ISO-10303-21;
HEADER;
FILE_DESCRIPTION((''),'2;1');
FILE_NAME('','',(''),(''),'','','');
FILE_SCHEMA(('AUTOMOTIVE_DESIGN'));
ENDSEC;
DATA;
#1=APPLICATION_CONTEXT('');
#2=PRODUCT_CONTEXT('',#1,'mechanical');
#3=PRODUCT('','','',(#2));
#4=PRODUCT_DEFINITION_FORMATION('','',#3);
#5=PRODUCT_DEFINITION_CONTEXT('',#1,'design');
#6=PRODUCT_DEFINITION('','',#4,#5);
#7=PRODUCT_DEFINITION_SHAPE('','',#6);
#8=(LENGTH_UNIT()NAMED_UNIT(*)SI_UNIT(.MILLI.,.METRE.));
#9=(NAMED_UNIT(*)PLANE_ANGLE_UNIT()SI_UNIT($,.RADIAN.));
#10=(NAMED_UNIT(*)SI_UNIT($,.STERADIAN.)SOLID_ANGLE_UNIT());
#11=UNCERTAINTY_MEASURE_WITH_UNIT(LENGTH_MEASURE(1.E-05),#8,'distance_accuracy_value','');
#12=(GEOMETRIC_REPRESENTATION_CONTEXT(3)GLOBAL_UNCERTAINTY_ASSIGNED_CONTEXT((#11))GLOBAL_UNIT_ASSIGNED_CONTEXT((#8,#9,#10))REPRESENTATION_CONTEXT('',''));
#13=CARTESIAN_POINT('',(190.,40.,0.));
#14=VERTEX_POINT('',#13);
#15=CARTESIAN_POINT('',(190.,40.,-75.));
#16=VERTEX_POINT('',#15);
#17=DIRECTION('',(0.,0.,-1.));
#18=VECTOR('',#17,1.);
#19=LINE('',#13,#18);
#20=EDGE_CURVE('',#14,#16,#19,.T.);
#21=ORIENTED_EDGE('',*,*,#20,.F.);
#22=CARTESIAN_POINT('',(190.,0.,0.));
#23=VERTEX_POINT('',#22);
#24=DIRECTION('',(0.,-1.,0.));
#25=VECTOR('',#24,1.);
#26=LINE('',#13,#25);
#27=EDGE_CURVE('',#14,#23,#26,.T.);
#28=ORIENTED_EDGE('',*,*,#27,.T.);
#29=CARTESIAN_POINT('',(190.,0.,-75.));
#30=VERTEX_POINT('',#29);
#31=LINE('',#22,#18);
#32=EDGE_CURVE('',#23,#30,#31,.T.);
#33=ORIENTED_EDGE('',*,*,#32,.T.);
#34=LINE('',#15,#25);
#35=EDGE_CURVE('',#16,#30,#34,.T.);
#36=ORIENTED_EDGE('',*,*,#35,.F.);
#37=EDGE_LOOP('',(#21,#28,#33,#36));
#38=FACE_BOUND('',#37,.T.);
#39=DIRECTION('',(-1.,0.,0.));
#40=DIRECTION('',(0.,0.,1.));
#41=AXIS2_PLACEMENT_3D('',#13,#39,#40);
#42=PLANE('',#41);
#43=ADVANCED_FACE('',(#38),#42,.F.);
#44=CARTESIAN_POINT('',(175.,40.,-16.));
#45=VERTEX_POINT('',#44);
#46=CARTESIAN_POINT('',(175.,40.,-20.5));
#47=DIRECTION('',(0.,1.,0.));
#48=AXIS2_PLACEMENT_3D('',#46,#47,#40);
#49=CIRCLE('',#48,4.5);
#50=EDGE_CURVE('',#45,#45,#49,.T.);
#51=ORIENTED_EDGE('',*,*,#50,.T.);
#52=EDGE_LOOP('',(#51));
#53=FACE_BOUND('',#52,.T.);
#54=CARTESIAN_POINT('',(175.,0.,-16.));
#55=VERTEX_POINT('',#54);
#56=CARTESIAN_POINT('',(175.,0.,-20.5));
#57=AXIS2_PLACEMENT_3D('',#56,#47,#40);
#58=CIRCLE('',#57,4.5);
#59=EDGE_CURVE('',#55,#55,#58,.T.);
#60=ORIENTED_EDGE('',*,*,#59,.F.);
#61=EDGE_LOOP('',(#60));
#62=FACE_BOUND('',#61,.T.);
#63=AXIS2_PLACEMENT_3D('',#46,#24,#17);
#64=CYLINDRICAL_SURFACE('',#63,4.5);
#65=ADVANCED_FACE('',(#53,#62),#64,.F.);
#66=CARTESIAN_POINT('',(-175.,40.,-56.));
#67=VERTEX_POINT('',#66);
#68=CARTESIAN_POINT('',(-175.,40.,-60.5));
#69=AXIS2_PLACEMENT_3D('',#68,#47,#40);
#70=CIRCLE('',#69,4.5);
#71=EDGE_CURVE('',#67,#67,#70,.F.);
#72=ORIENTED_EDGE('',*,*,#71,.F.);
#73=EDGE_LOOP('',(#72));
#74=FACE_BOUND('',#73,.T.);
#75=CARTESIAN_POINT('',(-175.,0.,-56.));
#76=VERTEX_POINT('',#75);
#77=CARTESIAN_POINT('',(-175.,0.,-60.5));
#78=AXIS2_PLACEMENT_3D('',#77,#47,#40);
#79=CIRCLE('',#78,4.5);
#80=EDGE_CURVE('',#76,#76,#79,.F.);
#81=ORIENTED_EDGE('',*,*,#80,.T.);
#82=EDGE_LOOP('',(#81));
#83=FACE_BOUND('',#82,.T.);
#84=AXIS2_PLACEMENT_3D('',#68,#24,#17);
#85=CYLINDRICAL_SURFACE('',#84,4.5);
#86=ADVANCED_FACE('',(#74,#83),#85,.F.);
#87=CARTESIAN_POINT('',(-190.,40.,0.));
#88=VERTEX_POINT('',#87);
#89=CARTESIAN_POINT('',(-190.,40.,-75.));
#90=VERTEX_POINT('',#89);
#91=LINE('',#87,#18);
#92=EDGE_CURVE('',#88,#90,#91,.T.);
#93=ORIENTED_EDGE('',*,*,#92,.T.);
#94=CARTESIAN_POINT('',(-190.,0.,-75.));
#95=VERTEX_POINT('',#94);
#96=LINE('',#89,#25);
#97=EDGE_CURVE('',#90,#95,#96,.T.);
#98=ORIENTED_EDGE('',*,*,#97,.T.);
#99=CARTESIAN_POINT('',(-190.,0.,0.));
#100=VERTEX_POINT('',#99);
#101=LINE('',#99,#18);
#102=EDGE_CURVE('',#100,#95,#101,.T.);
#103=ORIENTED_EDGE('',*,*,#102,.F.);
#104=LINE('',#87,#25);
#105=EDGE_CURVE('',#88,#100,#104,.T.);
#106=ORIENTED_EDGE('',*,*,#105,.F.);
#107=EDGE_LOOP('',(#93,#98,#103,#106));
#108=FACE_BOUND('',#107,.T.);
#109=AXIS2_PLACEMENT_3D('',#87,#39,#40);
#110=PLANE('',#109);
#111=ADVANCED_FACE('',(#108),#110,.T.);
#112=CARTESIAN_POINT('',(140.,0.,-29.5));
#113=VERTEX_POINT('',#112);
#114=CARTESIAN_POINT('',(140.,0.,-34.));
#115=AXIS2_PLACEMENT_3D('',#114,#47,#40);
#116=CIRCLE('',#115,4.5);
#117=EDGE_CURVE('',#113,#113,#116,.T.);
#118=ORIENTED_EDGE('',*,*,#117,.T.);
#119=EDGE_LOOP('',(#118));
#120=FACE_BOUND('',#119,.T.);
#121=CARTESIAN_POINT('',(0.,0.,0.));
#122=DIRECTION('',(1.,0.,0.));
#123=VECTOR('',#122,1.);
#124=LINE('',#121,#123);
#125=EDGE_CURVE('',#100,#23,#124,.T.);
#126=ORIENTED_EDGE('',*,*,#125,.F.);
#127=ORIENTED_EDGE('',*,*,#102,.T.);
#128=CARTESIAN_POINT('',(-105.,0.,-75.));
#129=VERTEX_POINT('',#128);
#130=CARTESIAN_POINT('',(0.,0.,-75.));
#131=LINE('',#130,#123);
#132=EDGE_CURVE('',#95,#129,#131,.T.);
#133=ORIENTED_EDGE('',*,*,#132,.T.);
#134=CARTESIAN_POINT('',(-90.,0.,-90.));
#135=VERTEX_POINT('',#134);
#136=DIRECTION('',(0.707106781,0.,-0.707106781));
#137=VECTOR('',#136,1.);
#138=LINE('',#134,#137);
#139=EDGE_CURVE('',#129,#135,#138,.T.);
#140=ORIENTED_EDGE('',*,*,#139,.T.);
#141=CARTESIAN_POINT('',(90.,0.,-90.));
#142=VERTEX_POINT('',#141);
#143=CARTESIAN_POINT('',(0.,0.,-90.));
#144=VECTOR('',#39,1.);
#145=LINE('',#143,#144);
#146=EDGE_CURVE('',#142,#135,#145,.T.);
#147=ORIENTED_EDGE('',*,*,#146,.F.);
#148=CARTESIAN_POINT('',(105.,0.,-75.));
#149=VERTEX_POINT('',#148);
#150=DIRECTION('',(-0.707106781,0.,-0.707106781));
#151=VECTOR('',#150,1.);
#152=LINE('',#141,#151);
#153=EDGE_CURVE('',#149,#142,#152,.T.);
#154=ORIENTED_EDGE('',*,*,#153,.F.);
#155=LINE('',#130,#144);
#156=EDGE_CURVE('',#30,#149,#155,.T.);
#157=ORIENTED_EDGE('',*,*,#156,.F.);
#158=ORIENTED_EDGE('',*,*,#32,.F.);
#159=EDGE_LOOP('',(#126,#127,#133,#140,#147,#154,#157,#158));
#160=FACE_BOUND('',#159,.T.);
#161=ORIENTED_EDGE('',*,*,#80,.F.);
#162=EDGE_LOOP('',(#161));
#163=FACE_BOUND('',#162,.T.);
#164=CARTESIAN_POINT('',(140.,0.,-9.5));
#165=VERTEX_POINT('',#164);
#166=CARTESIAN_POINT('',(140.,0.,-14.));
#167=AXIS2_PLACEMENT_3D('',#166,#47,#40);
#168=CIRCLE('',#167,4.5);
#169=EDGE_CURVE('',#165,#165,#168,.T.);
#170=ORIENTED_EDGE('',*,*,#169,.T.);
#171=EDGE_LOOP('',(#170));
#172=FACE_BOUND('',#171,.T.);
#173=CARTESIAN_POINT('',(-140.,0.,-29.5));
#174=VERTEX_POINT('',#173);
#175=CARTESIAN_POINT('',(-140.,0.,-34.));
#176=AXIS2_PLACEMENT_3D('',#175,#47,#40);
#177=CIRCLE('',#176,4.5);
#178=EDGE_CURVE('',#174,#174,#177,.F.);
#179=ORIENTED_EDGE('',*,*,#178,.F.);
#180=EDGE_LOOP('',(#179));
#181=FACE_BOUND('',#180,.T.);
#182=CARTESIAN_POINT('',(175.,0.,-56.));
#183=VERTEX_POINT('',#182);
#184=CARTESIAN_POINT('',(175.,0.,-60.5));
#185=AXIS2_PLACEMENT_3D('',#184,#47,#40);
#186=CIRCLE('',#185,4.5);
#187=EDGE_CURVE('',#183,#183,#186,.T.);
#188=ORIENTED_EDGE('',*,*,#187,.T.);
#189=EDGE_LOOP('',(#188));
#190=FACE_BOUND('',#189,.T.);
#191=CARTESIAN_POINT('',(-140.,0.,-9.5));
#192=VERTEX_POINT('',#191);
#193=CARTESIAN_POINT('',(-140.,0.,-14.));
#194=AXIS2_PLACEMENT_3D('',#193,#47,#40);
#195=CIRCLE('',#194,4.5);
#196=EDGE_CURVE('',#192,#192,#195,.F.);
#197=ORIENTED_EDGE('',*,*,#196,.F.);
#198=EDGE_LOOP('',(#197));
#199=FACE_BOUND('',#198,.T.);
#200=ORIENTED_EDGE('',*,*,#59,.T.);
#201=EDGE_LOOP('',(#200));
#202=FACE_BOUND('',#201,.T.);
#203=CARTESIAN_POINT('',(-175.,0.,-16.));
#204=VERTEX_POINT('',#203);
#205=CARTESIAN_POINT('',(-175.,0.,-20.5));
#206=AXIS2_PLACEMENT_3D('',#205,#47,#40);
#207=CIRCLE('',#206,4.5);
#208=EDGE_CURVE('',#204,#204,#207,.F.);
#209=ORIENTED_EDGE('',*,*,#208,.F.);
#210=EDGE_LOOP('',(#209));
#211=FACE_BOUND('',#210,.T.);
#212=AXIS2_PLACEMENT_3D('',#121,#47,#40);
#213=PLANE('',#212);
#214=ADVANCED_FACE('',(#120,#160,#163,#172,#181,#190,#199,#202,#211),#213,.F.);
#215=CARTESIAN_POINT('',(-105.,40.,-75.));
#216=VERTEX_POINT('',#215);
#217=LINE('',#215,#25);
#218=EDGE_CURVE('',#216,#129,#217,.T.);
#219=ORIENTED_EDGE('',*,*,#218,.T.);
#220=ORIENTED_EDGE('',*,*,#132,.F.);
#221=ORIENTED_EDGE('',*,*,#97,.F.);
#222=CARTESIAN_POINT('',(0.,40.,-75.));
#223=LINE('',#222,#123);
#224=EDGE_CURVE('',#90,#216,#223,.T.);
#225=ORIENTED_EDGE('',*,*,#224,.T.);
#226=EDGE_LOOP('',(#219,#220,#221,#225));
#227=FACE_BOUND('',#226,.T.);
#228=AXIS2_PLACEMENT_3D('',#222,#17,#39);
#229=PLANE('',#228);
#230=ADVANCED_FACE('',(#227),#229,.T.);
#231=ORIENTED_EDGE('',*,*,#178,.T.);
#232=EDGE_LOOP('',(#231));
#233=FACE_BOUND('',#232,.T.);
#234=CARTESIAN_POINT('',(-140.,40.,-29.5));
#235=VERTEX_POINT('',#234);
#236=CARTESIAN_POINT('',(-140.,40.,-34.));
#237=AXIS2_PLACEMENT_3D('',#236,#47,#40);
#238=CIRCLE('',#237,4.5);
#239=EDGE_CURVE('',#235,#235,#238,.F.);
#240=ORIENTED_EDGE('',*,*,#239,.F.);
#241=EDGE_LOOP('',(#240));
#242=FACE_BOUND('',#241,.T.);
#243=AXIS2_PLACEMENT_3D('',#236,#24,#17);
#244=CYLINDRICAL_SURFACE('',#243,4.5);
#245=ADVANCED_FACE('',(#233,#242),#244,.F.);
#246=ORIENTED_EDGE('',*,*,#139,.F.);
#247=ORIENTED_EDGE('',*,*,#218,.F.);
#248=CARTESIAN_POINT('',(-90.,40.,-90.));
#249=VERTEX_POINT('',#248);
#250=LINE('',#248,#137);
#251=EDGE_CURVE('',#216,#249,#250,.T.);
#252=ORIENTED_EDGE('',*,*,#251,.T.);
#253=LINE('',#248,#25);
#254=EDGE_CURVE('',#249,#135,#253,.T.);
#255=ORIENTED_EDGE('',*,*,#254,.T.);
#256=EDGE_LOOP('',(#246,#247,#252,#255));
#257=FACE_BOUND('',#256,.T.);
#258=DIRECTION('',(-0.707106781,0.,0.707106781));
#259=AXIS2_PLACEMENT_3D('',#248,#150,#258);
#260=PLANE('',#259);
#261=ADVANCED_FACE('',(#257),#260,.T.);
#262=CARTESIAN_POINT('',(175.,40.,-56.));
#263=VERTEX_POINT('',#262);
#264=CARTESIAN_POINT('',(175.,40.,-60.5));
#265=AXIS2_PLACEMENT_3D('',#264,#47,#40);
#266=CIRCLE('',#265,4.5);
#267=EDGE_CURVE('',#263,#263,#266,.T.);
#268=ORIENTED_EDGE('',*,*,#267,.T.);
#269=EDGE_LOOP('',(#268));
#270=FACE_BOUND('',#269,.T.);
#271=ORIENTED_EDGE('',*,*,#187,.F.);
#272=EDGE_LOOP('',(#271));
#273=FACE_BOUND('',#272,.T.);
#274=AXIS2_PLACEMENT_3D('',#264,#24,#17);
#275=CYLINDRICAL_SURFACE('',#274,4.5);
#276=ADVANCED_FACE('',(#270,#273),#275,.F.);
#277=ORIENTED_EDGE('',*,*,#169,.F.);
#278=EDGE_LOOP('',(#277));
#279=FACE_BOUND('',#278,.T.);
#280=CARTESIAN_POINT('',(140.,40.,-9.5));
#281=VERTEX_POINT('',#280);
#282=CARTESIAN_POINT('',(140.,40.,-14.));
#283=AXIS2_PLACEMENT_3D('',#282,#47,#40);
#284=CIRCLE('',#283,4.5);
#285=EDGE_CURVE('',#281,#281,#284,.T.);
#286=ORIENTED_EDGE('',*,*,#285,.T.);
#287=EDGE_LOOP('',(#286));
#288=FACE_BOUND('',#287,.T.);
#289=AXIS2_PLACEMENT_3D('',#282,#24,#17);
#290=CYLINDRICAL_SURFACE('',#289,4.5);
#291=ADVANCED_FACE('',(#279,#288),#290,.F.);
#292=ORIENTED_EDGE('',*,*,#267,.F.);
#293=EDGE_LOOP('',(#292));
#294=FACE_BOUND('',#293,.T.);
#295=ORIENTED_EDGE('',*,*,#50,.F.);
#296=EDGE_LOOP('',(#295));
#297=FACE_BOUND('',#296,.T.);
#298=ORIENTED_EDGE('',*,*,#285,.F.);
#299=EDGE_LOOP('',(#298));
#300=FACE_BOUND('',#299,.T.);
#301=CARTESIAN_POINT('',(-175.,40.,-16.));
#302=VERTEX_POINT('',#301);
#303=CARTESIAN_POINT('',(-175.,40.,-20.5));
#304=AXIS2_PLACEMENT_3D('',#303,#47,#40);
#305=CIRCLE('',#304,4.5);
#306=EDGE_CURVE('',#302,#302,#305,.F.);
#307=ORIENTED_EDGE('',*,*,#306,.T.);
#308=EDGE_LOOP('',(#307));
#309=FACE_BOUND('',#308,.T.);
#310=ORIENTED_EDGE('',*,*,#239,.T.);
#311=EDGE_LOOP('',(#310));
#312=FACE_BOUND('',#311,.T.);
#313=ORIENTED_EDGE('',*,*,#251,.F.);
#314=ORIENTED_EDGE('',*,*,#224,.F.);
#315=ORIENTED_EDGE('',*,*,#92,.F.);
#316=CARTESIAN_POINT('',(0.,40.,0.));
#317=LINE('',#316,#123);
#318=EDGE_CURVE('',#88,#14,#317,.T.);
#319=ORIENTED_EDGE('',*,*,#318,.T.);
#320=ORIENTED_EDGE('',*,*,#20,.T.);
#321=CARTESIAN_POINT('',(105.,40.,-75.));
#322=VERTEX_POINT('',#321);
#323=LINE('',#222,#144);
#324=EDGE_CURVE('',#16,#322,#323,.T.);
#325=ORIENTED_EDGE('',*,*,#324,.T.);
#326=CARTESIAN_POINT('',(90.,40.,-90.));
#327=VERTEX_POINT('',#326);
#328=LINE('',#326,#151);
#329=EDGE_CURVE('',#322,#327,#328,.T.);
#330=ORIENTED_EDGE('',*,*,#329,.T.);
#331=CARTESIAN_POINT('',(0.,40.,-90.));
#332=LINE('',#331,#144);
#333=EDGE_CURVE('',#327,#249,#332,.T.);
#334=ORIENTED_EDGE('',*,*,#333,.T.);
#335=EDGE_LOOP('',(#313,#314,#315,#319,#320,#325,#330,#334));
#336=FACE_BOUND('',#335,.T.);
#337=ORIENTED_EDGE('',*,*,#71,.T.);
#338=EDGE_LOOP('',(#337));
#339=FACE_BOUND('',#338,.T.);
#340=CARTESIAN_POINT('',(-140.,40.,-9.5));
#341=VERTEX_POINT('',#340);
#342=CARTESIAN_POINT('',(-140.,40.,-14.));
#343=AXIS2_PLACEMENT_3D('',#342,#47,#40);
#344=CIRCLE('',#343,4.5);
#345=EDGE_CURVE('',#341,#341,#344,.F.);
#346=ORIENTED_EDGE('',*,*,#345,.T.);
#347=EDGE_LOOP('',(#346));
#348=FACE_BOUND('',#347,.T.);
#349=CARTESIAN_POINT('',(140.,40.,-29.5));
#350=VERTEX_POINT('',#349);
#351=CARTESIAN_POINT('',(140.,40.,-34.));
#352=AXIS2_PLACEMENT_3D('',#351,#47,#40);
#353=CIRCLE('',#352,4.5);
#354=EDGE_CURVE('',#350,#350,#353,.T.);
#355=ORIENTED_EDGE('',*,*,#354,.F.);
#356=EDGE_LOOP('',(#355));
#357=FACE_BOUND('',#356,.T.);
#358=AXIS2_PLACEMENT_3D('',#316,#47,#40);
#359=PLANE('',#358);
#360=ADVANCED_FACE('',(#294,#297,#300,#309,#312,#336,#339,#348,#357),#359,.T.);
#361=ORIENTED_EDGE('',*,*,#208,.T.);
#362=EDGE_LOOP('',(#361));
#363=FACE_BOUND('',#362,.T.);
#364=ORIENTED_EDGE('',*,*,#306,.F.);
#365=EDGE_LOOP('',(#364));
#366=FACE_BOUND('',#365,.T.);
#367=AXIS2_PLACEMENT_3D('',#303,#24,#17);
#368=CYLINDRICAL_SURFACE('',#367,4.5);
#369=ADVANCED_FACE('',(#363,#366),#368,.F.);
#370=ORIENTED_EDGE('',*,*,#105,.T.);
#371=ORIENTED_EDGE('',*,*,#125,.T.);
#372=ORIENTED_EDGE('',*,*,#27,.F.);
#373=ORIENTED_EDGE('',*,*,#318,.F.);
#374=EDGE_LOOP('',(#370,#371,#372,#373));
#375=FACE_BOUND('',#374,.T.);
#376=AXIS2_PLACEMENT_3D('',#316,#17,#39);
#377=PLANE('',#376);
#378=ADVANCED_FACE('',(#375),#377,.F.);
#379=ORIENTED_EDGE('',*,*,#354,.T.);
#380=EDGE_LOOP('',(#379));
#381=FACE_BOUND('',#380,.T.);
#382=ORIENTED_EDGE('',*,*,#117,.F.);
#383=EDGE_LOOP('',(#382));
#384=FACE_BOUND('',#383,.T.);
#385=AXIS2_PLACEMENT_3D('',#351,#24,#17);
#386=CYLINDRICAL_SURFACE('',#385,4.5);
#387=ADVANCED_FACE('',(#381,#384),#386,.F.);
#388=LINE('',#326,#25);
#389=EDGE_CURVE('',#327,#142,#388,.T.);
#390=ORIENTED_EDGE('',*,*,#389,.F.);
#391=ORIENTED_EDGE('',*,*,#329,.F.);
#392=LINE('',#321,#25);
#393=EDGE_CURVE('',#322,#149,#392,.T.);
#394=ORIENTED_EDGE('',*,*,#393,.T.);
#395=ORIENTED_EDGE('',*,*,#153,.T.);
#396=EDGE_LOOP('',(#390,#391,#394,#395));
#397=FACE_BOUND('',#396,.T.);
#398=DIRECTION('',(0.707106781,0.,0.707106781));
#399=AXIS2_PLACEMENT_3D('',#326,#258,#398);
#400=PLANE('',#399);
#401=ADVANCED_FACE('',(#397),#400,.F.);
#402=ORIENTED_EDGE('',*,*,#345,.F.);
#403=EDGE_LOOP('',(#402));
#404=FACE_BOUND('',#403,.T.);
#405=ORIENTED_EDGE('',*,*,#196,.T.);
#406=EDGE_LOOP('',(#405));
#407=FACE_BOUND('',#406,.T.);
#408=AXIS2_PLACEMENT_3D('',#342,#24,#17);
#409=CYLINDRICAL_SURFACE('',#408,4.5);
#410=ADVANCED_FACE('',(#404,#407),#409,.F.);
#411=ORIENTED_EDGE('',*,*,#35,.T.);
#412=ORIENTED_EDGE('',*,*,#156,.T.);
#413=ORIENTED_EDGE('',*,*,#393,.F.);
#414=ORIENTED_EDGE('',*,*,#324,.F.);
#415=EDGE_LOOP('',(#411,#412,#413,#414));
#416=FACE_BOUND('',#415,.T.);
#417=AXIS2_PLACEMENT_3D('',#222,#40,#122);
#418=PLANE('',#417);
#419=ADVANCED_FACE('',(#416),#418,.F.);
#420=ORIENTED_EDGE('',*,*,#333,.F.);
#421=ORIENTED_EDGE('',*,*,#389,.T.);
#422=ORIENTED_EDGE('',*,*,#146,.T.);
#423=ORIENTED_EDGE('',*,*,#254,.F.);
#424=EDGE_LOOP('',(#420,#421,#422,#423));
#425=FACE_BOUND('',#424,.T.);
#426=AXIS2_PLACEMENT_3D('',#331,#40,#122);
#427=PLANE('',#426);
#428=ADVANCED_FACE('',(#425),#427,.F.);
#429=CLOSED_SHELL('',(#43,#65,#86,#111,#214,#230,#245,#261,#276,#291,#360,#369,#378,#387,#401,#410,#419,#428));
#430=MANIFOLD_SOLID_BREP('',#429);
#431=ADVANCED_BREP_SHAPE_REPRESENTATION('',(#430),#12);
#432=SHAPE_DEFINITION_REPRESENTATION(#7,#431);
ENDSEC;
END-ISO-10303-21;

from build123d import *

# Parameters (mm, degrees)
ESQUISSE1_R        = 4.5
BOSS_EXTRU_1_DEPTH = 40


with BuildPart() as part:
    # Esquisse1 → Boss.-Extru.1 (new body)
    # profile 1 of 2: a face of its own
    with BuildSketch(Plane(origin=(0, 0, 0), x_dir=(1, 0, 0), z_dir=(0, 1, 0))):
        Polygon((-190, 75), (-190, 0), (0, 0), (0, 90), (-90, 90), (-105, 75), align=None)
        with Locations(Location((-175, 20.5, 0), (0, 0, 270))):
            Circle(ESQUISSE1_R, mode=Mode.SUBTRACT)
        with Locations(Location((-140, 14, 0), (0, 0, 270))):
            Circle(ESQUISSE1_R, mode=Mode.SUBTRACT)
        with Locations(Location((-140, 34, 0), (0, 0, 270))):
            Circle(ESQUISSE1_R, mode=Mode.SUBTRACT)
        with Locations(Location((-175, 60.5, 0), (0, 0, 270))):
            Circle(ESQUISSE1_R, mode=Mode.SUBTRACT)
    # profile 2 of 2: a face of its own
    with BuildSketch(Plane(origin=(0, 0, 0), x_dir=(1, 0, 0), z_dir=(0, 1, 0))):
        Polygon((0, 90), (0, 0), (190, 0), (190, 75), (105, 75), (90, 90), align=None)
        with Locations(Location((140, 14, 0), (0, 0, 270))):
            Circle(ESQUISSE1_R, mode=Mode.SUBTRACT)
        with Locations(Location((175, 20.5, 0), (0, 0, 270))):
            Circle(ESQUISSE1_R, mode=Mode.SUBTRACT)
        with Locations(Location((140, 34, 0), (0, 0, 270))):
            Circle(ESQUISSE1_R, mode=Mode.SUBTRACT)
        with Locations(Location((175, 60.5, 0), (0, 0, 270))):
            Circle(ESQUISSE1_R, mode=Mode.SUBTRACT)
    extrude(amount=BOSS_EXTRU_1_DEPTH)


solid = part.part
